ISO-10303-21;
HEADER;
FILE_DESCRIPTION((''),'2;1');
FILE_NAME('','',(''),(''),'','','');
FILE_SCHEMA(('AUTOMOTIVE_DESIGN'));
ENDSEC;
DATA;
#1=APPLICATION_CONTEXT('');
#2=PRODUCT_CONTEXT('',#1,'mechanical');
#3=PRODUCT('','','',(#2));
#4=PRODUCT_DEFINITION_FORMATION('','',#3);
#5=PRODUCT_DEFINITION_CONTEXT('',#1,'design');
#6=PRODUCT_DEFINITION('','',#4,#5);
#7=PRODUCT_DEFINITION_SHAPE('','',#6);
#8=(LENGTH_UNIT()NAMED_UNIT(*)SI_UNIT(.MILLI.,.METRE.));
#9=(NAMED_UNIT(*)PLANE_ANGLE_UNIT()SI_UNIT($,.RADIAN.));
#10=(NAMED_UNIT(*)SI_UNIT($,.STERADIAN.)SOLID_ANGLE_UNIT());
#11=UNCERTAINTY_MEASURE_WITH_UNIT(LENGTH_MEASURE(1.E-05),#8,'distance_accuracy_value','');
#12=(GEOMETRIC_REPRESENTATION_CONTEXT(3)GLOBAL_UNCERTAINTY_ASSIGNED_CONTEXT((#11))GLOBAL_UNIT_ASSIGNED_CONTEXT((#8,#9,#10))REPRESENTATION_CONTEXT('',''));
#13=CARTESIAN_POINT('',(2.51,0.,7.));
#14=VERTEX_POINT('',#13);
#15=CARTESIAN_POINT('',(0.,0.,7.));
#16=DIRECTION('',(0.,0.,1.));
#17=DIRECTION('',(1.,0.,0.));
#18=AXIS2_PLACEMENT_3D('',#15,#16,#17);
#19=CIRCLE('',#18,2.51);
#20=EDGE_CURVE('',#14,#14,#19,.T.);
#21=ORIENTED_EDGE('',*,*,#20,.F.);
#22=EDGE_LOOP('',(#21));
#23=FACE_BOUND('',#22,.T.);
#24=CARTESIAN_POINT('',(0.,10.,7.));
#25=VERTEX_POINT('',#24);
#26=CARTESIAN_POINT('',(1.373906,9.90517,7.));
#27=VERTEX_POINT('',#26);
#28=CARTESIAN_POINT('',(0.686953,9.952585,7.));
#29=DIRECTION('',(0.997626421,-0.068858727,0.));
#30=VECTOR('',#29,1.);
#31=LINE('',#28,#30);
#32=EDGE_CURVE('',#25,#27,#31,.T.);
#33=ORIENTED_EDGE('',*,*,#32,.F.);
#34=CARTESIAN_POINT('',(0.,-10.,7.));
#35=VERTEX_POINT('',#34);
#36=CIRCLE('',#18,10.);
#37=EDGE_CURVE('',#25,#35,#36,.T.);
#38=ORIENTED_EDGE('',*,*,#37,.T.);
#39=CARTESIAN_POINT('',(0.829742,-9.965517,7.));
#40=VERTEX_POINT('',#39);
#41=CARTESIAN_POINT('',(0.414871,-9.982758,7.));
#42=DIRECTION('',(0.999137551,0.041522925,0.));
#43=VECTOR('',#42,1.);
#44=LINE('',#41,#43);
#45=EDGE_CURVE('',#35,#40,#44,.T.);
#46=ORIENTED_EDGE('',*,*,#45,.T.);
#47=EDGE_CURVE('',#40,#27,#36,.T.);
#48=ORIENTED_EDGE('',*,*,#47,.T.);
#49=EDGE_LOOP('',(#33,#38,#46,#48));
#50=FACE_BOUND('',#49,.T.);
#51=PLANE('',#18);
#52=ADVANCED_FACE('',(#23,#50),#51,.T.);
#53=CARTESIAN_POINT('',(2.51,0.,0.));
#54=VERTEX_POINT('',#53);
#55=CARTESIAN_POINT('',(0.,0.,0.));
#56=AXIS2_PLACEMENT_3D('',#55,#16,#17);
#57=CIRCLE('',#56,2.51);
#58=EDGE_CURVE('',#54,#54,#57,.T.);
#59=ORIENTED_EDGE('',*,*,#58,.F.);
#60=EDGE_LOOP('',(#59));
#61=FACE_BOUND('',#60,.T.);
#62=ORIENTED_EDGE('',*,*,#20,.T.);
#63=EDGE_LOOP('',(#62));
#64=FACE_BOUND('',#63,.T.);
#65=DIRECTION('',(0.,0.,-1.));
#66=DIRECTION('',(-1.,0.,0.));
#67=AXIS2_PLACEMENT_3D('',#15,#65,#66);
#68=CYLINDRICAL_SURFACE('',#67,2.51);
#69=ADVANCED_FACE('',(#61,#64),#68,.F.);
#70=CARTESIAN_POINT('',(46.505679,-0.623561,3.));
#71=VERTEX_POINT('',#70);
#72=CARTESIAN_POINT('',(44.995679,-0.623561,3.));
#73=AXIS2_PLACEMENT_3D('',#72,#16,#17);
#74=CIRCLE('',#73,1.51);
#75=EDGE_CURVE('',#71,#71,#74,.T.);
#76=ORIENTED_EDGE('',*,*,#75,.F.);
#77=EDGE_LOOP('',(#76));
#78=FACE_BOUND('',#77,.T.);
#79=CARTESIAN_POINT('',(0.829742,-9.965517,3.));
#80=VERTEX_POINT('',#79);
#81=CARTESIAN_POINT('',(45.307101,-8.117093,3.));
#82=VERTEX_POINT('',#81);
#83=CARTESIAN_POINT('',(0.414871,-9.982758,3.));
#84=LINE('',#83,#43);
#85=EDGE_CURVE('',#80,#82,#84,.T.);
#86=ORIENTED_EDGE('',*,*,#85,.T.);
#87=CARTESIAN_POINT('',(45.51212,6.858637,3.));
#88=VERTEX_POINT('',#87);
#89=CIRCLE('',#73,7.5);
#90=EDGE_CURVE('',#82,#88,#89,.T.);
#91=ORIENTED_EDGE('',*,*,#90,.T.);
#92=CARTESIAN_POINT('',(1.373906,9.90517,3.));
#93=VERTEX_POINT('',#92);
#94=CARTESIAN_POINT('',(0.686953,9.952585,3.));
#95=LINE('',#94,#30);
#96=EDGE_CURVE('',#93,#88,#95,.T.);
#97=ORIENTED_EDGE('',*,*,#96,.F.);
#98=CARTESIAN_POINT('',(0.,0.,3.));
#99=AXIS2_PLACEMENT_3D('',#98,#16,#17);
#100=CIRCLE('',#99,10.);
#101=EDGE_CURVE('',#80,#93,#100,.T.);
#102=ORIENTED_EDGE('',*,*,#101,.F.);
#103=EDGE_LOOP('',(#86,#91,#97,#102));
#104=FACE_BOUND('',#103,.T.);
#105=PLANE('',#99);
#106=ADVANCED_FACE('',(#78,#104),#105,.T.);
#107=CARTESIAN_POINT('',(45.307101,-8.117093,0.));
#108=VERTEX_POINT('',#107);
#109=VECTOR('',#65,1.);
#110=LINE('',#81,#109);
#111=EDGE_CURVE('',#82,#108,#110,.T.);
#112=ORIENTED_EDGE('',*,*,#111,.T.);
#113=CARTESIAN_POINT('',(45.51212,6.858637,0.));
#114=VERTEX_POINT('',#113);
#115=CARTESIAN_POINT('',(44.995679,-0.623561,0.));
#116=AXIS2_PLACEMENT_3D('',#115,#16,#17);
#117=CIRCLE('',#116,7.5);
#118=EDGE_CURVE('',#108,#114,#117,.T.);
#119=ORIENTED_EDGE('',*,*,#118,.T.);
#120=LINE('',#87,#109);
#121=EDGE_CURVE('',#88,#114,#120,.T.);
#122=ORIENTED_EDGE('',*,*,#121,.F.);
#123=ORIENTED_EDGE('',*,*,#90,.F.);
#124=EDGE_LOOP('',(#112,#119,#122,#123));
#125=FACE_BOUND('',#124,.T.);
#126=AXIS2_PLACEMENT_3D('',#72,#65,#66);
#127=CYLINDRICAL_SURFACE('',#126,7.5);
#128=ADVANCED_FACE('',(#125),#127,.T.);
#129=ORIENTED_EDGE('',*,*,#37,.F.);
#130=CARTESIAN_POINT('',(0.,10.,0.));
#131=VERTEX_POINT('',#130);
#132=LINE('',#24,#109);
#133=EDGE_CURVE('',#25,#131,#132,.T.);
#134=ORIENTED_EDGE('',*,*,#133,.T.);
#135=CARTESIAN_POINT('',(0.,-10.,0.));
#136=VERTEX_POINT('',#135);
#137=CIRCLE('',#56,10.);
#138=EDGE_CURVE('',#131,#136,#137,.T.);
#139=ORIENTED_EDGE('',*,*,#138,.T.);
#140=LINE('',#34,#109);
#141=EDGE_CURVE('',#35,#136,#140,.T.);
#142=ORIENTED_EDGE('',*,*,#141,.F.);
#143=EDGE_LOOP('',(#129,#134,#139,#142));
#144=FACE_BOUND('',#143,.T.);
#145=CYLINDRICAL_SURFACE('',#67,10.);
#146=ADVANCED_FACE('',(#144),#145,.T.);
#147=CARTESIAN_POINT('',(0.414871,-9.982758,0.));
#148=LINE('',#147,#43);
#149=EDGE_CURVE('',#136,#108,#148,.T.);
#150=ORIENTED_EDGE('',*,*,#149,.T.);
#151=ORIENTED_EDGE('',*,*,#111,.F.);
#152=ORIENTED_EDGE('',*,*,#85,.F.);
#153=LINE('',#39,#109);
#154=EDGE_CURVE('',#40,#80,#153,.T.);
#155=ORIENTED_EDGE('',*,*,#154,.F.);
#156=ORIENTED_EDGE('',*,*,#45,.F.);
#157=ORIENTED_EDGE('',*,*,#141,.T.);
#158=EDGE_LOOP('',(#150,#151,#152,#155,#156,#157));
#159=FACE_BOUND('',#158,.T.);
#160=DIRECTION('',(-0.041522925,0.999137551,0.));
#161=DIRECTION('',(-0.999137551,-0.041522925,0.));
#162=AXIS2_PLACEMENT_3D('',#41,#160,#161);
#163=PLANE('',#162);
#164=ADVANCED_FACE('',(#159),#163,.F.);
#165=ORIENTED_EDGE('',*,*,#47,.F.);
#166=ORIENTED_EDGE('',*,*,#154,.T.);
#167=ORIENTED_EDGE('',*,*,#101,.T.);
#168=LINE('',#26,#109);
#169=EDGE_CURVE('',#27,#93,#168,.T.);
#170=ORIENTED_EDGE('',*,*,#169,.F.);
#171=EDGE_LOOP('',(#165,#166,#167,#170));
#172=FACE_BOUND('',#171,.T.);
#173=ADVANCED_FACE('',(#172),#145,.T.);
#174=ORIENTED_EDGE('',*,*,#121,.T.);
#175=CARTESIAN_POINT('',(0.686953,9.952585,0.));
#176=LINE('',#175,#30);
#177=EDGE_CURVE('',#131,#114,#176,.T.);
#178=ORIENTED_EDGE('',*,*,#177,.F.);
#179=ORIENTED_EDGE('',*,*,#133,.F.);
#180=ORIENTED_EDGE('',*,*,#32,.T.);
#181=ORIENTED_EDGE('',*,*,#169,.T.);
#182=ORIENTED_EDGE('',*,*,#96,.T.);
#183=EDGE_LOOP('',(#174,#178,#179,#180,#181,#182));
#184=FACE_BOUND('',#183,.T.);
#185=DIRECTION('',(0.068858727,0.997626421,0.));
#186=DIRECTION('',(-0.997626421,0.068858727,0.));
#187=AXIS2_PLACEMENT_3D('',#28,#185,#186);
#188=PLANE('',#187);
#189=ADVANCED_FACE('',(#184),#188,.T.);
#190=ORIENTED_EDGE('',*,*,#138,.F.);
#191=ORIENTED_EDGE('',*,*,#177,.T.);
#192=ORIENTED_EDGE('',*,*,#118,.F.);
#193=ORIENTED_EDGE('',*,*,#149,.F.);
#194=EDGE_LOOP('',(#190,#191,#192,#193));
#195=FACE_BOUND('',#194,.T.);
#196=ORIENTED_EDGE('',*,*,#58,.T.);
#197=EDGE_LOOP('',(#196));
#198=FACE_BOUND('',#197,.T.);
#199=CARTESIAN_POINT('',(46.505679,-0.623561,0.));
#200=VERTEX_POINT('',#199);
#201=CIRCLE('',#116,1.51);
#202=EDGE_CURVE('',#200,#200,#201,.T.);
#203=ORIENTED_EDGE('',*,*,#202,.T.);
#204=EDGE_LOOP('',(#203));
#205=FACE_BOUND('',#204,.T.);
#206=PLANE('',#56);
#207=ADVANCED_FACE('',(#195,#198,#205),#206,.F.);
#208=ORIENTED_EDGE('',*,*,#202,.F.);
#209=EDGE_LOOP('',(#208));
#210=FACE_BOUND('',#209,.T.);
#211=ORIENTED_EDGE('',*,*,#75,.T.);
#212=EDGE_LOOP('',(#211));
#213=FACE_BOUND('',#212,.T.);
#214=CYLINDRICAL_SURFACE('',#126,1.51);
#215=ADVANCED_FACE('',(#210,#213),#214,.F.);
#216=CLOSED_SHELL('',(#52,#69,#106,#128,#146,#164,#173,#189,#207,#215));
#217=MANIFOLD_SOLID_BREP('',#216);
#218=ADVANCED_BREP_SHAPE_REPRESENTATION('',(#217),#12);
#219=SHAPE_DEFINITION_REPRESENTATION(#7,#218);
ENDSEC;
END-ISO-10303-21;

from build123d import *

# Parameters (mm, degrees)
SKETCH1_R           = 2.51
BOSS_EXTRUDE1_DEPTH = 7
SKETCH1_3_R         = 1.51
BOSS_EXTRUDE2_DEPTH = 3


with BuildPart() as part:
    # Sketch1 → Boss-Extrude1 (new body)
    with BuildSketch(Plane.XY):
        with BuildLine():
            Line((1.373905706, 9.905169514), (0, 10))
            ThreePointArc((0, 10), (-10, 0), (0, -10))
            Line((0, -10), (0.829742277, -9.965516934))
            ThreePointArc((0.829742277, -9.965516934), (7.3585808, -6.771357959), (10, 0))
            ThreePointArc((10, 0), (7.541188801, 6.567379346), (1.373905706, 9.905169514))
        make_face()
        Circle(SKETCH1_R, mode=Mode.SUBTRACT)
    extrude(amount=BOSS_EXTRUDE1_DEPTH)

    # Sketch1<3> → Boss-Extrude2 (add)
    with BuildSketch(Plane.XY):
        with BuildLine():
            Line((45.512119929, 6.858637088), (1.373905706, 9.905169514))
            ThreePointArc((1.373905706, 9.905169514), (9.996252352, -0.273749725), (0.829742277, -9.965516934))
            Line((0.829742277, -9.965516934), (45.307101416, -8.117092704))
            ThreePointArc((45.307101416, -8.117092704), (52.49497676, -0.726226835), (45.512119929, 6.858637088))
        make_face()
        with Locations((44.995679477, -0.623561069)):
            Circle(SKETCH1_3_R, mode=Mode.SUBTRACT)
    extrude(amount=BOSS_EXTRUDE2_DEPTH)


solid = part.part
